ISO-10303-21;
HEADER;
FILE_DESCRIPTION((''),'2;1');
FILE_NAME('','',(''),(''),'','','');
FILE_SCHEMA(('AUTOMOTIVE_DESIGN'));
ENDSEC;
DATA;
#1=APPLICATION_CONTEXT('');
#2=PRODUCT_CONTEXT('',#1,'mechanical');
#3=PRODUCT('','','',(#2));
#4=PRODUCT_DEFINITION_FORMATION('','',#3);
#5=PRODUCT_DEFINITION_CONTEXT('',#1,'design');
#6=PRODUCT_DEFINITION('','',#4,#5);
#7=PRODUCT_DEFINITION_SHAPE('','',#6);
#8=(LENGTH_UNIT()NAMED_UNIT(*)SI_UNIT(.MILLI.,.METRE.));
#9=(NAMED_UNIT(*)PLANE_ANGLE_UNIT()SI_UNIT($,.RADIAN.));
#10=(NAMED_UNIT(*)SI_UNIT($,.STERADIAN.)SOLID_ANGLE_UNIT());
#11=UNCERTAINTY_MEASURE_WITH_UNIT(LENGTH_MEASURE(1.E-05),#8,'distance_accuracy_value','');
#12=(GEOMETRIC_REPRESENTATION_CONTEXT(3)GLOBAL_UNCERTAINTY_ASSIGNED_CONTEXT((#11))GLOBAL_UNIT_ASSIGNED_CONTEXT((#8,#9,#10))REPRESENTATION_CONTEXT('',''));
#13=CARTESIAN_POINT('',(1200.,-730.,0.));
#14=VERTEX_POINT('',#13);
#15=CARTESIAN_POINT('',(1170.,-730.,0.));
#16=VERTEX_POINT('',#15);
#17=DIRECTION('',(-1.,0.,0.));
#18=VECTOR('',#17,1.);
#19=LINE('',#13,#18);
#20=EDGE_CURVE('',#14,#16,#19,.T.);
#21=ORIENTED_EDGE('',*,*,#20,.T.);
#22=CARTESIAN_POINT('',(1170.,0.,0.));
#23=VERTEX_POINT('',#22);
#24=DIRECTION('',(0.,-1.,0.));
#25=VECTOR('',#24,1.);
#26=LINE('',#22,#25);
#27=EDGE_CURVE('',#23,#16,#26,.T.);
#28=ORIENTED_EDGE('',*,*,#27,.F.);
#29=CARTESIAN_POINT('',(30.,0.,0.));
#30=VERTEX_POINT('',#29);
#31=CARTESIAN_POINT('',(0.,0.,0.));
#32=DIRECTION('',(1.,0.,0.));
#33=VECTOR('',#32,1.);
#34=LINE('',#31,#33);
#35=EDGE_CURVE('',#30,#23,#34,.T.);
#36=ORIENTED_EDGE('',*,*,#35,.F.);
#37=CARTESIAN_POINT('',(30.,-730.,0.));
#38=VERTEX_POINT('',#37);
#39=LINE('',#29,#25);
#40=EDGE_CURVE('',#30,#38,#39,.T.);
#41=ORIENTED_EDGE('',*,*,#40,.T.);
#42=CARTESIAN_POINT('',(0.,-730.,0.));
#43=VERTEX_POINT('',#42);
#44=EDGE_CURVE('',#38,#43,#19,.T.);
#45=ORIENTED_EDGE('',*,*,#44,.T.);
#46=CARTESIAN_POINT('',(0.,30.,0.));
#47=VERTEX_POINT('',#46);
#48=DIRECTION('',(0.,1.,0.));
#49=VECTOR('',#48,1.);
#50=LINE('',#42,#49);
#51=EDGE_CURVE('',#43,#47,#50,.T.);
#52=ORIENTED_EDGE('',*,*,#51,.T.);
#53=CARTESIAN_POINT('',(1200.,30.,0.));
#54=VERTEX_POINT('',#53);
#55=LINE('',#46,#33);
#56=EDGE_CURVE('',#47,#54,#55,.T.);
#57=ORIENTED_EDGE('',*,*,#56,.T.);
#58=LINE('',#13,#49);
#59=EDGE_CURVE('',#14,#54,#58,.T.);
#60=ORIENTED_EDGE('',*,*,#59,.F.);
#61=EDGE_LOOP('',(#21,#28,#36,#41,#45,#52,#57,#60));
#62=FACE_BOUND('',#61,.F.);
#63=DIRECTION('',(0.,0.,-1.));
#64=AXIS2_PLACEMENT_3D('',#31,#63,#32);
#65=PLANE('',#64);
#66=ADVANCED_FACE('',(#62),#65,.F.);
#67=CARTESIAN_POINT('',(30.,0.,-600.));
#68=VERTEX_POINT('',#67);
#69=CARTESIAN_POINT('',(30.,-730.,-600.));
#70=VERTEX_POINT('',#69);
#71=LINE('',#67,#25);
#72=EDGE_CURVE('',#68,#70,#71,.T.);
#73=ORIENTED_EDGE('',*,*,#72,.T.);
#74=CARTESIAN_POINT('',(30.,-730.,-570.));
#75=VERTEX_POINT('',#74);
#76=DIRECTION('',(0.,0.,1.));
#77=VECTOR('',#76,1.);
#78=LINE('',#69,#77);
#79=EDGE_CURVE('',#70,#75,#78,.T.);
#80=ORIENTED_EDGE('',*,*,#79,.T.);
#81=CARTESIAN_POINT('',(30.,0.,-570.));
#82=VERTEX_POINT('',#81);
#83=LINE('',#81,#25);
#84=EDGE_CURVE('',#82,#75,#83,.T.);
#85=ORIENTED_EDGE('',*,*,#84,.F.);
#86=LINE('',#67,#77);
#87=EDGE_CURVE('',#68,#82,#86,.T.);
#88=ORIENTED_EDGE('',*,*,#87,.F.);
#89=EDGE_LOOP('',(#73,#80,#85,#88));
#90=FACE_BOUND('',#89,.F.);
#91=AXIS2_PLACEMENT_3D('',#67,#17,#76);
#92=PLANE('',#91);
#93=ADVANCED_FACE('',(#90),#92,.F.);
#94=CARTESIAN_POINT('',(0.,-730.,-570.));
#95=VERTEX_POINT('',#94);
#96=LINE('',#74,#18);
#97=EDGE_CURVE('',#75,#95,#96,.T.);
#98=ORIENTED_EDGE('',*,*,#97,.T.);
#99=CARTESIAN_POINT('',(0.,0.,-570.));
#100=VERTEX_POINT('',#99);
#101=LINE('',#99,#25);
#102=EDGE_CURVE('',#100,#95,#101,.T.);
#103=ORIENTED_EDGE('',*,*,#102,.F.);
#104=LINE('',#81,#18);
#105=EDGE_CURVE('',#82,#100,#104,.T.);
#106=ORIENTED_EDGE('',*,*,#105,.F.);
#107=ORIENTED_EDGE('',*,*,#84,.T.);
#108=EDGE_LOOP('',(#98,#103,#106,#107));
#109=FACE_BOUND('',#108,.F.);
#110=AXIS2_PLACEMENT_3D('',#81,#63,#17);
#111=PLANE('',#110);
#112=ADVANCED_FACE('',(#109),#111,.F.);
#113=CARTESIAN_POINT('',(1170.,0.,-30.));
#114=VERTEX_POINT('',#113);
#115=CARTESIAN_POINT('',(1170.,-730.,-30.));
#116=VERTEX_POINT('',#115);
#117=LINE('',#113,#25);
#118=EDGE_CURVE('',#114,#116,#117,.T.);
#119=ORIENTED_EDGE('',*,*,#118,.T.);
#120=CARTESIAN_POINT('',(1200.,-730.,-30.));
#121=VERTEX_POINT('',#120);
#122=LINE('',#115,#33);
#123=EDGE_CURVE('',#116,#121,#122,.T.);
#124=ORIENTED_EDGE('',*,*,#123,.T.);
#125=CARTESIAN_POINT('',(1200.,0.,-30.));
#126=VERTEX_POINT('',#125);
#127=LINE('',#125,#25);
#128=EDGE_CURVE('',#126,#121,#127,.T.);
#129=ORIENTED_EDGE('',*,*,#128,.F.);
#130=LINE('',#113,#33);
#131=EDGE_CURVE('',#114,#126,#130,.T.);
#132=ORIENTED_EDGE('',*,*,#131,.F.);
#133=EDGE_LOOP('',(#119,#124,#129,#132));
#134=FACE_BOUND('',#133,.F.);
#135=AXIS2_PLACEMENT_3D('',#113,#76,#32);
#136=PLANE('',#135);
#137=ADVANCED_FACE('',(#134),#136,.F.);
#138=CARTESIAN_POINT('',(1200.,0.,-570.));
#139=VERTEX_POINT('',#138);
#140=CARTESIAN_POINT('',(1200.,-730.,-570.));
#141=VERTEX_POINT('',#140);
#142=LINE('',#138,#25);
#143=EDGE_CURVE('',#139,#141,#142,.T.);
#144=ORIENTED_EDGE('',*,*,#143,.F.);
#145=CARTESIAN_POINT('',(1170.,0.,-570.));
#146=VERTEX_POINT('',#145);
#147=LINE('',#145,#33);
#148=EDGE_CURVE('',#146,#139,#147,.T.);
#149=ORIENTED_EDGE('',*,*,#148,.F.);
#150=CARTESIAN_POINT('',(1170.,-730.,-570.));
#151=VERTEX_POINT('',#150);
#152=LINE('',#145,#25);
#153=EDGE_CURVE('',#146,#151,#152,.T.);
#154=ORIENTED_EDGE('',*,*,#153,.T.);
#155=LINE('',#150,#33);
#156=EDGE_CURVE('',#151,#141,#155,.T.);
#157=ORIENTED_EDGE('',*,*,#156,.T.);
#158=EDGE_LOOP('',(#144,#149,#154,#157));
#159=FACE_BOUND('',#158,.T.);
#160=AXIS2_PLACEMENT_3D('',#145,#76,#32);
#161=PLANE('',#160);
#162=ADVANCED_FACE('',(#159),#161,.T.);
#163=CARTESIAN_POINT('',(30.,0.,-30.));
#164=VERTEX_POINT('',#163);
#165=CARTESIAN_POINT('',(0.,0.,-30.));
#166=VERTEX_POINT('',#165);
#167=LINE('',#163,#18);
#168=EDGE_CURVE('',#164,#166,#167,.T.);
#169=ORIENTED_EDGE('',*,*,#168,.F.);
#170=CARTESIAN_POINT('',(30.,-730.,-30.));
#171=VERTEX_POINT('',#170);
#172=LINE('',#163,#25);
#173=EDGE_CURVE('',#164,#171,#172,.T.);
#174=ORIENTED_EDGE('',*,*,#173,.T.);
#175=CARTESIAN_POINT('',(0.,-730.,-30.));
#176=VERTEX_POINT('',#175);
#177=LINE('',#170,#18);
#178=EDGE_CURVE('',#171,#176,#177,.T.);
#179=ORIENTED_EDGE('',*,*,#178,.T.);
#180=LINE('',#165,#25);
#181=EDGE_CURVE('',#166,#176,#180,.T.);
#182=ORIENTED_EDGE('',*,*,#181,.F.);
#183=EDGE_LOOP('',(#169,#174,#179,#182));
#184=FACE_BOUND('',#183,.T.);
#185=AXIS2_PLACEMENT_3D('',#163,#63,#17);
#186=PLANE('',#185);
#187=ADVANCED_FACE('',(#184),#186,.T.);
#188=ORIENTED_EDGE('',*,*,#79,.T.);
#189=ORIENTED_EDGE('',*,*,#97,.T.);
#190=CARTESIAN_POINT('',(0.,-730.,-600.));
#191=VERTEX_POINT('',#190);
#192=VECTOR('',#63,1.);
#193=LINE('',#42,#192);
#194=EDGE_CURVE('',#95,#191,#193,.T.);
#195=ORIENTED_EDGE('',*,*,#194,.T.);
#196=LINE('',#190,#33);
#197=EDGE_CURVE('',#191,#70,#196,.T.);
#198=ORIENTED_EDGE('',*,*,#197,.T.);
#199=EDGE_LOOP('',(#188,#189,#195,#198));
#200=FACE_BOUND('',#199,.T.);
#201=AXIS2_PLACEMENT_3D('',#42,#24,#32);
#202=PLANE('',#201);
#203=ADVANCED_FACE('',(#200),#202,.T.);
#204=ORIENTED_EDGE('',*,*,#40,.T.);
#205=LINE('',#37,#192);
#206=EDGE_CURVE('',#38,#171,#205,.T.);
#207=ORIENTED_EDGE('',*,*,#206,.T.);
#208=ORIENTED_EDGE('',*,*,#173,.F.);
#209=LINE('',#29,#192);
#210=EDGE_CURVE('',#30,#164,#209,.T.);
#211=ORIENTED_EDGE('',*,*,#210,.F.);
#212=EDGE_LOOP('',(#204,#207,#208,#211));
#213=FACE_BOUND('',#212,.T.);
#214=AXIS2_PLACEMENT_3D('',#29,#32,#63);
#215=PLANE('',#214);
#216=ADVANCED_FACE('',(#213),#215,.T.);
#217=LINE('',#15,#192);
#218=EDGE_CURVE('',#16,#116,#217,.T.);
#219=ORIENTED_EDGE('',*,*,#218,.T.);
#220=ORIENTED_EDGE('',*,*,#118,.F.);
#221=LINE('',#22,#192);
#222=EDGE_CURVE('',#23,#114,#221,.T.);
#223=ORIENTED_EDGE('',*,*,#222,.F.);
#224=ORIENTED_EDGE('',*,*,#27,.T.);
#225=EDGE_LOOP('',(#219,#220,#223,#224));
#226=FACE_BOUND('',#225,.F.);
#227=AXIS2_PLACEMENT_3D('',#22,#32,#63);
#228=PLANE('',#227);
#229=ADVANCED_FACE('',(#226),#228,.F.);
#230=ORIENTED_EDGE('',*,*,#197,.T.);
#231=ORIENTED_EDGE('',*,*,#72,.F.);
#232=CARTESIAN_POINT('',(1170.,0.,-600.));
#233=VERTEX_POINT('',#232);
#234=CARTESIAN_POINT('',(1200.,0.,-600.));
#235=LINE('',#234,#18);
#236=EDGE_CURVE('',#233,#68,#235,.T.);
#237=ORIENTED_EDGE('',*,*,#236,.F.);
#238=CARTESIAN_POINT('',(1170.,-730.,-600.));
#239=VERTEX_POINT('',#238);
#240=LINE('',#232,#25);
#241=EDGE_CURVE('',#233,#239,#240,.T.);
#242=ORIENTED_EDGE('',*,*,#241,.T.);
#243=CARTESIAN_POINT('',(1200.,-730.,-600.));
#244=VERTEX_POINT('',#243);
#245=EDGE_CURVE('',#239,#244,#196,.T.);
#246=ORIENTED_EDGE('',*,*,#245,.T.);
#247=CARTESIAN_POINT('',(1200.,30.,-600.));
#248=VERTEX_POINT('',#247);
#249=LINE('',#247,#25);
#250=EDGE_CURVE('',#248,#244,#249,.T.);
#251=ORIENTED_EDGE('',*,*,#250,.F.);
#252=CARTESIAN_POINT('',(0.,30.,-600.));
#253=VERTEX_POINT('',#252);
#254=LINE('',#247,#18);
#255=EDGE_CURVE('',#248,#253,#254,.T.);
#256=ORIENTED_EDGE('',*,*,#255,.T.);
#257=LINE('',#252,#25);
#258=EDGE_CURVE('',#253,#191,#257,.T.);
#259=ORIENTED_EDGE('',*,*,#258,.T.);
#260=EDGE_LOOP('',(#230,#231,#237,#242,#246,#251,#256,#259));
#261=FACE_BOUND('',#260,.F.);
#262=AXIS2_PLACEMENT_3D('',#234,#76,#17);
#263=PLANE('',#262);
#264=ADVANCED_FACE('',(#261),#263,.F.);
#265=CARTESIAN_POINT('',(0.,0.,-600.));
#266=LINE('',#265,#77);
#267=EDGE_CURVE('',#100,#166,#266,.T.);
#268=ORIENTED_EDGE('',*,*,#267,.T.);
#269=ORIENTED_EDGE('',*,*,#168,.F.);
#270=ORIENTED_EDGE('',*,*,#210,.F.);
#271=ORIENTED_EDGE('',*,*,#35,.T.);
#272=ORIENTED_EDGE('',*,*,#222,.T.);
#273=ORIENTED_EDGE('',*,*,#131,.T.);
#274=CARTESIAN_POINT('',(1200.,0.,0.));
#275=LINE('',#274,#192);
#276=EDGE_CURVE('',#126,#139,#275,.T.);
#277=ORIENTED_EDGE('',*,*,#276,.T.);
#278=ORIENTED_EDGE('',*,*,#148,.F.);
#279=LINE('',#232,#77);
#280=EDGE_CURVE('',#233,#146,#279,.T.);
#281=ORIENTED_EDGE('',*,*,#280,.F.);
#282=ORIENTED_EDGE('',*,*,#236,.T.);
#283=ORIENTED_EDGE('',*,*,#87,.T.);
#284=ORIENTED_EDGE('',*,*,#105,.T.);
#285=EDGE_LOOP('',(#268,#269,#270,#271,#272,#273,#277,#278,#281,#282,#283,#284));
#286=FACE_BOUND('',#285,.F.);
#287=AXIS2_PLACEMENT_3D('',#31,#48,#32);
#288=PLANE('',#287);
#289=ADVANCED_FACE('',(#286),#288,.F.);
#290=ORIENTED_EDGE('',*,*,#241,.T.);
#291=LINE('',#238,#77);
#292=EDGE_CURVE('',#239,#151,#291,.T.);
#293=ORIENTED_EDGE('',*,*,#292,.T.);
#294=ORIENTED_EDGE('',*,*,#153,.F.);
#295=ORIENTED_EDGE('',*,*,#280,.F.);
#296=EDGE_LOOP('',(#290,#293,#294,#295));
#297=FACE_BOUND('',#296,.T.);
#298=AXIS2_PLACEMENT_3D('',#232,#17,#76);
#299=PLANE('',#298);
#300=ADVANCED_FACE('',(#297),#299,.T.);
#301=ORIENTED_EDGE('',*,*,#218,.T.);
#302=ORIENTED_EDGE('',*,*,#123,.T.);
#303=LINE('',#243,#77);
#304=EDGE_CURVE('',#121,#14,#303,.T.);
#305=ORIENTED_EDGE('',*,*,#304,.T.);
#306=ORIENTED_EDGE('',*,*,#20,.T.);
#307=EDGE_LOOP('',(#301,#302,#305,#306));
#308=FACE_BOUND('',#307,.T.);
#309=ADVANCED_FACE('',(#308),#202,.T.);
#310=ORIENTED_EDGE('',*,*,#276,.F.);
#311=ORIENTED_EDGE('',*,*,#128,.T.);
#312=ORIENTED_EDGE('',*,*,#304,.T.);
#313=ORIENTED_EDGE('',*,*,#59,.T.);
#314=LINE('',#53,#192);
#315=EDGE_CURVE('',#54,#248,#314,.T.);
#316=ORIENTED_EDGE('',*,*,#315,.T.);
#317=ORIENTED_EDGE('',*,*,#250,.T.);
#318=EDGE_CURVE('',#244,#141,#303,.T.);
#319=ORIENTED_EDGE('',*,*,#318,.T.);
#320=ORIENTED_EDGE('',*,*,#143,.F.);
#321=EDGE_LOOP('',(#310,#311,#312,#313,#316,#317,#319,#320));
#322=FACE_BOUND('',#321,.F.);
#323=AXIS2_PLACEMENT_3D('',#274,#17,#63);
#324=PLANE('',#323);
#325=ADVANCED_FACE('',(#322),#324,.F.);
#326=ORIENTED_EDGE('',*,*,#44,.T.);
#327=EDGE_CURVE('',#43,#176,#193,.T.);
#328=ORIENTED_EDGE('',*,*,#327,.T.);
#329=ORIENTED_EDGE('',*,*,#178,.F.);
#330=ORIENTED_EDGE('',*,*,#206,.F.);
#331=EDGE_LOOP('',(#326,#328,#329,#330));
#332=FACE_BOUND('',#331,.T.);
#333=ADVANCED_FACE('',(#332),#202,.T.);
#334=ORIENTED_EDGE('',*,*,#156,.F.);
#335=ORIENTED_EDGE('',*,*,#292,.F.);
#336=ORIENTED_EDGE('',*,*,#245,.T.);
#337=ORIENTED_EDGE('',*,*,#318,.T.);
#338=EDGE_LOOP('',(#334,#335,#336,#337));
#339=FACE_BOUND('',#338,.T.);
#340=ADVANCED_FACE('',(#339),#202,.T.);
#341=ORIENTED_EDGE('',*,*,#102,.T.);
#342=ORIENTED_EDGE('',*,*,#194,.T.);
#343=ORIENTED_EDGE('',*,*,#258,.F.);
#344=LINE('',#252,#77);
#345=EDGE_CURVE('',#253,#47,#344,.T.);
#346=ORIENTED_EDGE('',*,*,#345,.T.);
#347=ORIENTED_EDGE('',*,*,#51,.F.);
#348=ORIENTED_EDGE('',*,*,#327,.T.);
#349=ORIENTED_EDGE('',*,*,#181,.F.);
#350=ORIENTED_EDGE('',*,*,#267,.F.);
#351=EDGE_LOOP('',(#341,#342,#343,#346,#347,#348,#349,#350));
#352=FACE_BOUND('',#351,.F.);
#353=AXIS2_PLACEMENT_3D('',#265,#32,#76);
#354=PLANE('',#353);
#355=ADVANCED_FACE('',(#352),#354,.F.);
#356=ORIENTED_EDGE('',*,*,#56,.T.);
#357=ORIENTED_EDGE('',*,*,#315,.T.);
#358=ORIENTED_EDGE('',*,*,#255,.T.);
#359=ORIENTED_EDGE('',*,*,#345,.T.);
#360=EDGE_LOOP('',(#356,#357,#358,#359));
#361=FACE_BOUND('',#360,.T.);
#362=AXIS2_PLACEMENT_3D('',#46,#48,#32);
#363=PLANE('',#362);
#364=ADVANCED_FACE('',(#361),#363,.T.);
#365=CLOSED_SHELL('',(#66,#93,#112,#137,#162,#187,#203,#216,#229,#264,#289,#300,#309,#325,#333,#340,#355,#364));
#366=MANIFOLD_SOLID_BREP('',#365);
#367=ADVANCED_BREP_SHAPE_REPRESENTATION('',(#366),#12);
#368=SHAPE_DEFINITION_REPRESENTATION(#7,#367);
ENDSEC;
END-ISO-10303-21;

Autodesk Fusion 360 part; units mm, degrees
sketch "Sketch1" plane through (0, 0, 0) normal (0, 1, 0) x (1, 0, 0)
  line L0 (0, 0) -> (1200, 0)
  line L1 (1200, 0) -> (1200, 600)
  line L2 (1200, 600) -> (0, 600)
  line L3 (0, 600) -> (0, 0)
extrude "Extrude1" add sketch "Sketch1" along normal blind 30
sketch "Sketch2" plane through (0, 0, 0) normal (0, -1, 0) x (1, 0, 0)
  line L0 (0, 0) -> (0, -600)
  line L1 (0, -600) -> (1200, -600)
  line L2 (1200, -600) -> (1200, 0)
  line L3 (1200, 0) -> (0, 0)
  line L4 (0, 0) -> (30, 0)
  line L5 (30, 0) -> (30, -30)
  line L6 (30, -30) -> (0, -30)
  line L7 (0, -30) -> (0, 0)
  line L8 (0, -600) -> (30, -600)
  line L9 (30, -600) -> (30, -570)
  line L10 (30, -570) -> (0, -570)
  line L11 (0, -570) -> (0, -600)
  line L12 (1200, 0) -> (1170, 0)
  line L13 (1170, 0) -> (1170, -30)
  line L14 (1170, -30) -> (1200, -30)
  line L15 (1200, -30) -> (1200, 0)
  line L16 (1200, -600) -> (1170, -600)
  line L17 (1170, -600) -> (1170, -570)
  line L18 (1170, -570) -> (1200, -570)
  line L19 (1200, -570) -> (1200, -600)
extrude "Extrude2" add sketch "Sketch2" along normal blind 730 contours L0 L3 L4 L5 L6 L7 | L0 L1 L8 L9 L10 L11 | L2 L3 L12 L13 L14 L15 | L1 L2 L16 L17 L18 L19
